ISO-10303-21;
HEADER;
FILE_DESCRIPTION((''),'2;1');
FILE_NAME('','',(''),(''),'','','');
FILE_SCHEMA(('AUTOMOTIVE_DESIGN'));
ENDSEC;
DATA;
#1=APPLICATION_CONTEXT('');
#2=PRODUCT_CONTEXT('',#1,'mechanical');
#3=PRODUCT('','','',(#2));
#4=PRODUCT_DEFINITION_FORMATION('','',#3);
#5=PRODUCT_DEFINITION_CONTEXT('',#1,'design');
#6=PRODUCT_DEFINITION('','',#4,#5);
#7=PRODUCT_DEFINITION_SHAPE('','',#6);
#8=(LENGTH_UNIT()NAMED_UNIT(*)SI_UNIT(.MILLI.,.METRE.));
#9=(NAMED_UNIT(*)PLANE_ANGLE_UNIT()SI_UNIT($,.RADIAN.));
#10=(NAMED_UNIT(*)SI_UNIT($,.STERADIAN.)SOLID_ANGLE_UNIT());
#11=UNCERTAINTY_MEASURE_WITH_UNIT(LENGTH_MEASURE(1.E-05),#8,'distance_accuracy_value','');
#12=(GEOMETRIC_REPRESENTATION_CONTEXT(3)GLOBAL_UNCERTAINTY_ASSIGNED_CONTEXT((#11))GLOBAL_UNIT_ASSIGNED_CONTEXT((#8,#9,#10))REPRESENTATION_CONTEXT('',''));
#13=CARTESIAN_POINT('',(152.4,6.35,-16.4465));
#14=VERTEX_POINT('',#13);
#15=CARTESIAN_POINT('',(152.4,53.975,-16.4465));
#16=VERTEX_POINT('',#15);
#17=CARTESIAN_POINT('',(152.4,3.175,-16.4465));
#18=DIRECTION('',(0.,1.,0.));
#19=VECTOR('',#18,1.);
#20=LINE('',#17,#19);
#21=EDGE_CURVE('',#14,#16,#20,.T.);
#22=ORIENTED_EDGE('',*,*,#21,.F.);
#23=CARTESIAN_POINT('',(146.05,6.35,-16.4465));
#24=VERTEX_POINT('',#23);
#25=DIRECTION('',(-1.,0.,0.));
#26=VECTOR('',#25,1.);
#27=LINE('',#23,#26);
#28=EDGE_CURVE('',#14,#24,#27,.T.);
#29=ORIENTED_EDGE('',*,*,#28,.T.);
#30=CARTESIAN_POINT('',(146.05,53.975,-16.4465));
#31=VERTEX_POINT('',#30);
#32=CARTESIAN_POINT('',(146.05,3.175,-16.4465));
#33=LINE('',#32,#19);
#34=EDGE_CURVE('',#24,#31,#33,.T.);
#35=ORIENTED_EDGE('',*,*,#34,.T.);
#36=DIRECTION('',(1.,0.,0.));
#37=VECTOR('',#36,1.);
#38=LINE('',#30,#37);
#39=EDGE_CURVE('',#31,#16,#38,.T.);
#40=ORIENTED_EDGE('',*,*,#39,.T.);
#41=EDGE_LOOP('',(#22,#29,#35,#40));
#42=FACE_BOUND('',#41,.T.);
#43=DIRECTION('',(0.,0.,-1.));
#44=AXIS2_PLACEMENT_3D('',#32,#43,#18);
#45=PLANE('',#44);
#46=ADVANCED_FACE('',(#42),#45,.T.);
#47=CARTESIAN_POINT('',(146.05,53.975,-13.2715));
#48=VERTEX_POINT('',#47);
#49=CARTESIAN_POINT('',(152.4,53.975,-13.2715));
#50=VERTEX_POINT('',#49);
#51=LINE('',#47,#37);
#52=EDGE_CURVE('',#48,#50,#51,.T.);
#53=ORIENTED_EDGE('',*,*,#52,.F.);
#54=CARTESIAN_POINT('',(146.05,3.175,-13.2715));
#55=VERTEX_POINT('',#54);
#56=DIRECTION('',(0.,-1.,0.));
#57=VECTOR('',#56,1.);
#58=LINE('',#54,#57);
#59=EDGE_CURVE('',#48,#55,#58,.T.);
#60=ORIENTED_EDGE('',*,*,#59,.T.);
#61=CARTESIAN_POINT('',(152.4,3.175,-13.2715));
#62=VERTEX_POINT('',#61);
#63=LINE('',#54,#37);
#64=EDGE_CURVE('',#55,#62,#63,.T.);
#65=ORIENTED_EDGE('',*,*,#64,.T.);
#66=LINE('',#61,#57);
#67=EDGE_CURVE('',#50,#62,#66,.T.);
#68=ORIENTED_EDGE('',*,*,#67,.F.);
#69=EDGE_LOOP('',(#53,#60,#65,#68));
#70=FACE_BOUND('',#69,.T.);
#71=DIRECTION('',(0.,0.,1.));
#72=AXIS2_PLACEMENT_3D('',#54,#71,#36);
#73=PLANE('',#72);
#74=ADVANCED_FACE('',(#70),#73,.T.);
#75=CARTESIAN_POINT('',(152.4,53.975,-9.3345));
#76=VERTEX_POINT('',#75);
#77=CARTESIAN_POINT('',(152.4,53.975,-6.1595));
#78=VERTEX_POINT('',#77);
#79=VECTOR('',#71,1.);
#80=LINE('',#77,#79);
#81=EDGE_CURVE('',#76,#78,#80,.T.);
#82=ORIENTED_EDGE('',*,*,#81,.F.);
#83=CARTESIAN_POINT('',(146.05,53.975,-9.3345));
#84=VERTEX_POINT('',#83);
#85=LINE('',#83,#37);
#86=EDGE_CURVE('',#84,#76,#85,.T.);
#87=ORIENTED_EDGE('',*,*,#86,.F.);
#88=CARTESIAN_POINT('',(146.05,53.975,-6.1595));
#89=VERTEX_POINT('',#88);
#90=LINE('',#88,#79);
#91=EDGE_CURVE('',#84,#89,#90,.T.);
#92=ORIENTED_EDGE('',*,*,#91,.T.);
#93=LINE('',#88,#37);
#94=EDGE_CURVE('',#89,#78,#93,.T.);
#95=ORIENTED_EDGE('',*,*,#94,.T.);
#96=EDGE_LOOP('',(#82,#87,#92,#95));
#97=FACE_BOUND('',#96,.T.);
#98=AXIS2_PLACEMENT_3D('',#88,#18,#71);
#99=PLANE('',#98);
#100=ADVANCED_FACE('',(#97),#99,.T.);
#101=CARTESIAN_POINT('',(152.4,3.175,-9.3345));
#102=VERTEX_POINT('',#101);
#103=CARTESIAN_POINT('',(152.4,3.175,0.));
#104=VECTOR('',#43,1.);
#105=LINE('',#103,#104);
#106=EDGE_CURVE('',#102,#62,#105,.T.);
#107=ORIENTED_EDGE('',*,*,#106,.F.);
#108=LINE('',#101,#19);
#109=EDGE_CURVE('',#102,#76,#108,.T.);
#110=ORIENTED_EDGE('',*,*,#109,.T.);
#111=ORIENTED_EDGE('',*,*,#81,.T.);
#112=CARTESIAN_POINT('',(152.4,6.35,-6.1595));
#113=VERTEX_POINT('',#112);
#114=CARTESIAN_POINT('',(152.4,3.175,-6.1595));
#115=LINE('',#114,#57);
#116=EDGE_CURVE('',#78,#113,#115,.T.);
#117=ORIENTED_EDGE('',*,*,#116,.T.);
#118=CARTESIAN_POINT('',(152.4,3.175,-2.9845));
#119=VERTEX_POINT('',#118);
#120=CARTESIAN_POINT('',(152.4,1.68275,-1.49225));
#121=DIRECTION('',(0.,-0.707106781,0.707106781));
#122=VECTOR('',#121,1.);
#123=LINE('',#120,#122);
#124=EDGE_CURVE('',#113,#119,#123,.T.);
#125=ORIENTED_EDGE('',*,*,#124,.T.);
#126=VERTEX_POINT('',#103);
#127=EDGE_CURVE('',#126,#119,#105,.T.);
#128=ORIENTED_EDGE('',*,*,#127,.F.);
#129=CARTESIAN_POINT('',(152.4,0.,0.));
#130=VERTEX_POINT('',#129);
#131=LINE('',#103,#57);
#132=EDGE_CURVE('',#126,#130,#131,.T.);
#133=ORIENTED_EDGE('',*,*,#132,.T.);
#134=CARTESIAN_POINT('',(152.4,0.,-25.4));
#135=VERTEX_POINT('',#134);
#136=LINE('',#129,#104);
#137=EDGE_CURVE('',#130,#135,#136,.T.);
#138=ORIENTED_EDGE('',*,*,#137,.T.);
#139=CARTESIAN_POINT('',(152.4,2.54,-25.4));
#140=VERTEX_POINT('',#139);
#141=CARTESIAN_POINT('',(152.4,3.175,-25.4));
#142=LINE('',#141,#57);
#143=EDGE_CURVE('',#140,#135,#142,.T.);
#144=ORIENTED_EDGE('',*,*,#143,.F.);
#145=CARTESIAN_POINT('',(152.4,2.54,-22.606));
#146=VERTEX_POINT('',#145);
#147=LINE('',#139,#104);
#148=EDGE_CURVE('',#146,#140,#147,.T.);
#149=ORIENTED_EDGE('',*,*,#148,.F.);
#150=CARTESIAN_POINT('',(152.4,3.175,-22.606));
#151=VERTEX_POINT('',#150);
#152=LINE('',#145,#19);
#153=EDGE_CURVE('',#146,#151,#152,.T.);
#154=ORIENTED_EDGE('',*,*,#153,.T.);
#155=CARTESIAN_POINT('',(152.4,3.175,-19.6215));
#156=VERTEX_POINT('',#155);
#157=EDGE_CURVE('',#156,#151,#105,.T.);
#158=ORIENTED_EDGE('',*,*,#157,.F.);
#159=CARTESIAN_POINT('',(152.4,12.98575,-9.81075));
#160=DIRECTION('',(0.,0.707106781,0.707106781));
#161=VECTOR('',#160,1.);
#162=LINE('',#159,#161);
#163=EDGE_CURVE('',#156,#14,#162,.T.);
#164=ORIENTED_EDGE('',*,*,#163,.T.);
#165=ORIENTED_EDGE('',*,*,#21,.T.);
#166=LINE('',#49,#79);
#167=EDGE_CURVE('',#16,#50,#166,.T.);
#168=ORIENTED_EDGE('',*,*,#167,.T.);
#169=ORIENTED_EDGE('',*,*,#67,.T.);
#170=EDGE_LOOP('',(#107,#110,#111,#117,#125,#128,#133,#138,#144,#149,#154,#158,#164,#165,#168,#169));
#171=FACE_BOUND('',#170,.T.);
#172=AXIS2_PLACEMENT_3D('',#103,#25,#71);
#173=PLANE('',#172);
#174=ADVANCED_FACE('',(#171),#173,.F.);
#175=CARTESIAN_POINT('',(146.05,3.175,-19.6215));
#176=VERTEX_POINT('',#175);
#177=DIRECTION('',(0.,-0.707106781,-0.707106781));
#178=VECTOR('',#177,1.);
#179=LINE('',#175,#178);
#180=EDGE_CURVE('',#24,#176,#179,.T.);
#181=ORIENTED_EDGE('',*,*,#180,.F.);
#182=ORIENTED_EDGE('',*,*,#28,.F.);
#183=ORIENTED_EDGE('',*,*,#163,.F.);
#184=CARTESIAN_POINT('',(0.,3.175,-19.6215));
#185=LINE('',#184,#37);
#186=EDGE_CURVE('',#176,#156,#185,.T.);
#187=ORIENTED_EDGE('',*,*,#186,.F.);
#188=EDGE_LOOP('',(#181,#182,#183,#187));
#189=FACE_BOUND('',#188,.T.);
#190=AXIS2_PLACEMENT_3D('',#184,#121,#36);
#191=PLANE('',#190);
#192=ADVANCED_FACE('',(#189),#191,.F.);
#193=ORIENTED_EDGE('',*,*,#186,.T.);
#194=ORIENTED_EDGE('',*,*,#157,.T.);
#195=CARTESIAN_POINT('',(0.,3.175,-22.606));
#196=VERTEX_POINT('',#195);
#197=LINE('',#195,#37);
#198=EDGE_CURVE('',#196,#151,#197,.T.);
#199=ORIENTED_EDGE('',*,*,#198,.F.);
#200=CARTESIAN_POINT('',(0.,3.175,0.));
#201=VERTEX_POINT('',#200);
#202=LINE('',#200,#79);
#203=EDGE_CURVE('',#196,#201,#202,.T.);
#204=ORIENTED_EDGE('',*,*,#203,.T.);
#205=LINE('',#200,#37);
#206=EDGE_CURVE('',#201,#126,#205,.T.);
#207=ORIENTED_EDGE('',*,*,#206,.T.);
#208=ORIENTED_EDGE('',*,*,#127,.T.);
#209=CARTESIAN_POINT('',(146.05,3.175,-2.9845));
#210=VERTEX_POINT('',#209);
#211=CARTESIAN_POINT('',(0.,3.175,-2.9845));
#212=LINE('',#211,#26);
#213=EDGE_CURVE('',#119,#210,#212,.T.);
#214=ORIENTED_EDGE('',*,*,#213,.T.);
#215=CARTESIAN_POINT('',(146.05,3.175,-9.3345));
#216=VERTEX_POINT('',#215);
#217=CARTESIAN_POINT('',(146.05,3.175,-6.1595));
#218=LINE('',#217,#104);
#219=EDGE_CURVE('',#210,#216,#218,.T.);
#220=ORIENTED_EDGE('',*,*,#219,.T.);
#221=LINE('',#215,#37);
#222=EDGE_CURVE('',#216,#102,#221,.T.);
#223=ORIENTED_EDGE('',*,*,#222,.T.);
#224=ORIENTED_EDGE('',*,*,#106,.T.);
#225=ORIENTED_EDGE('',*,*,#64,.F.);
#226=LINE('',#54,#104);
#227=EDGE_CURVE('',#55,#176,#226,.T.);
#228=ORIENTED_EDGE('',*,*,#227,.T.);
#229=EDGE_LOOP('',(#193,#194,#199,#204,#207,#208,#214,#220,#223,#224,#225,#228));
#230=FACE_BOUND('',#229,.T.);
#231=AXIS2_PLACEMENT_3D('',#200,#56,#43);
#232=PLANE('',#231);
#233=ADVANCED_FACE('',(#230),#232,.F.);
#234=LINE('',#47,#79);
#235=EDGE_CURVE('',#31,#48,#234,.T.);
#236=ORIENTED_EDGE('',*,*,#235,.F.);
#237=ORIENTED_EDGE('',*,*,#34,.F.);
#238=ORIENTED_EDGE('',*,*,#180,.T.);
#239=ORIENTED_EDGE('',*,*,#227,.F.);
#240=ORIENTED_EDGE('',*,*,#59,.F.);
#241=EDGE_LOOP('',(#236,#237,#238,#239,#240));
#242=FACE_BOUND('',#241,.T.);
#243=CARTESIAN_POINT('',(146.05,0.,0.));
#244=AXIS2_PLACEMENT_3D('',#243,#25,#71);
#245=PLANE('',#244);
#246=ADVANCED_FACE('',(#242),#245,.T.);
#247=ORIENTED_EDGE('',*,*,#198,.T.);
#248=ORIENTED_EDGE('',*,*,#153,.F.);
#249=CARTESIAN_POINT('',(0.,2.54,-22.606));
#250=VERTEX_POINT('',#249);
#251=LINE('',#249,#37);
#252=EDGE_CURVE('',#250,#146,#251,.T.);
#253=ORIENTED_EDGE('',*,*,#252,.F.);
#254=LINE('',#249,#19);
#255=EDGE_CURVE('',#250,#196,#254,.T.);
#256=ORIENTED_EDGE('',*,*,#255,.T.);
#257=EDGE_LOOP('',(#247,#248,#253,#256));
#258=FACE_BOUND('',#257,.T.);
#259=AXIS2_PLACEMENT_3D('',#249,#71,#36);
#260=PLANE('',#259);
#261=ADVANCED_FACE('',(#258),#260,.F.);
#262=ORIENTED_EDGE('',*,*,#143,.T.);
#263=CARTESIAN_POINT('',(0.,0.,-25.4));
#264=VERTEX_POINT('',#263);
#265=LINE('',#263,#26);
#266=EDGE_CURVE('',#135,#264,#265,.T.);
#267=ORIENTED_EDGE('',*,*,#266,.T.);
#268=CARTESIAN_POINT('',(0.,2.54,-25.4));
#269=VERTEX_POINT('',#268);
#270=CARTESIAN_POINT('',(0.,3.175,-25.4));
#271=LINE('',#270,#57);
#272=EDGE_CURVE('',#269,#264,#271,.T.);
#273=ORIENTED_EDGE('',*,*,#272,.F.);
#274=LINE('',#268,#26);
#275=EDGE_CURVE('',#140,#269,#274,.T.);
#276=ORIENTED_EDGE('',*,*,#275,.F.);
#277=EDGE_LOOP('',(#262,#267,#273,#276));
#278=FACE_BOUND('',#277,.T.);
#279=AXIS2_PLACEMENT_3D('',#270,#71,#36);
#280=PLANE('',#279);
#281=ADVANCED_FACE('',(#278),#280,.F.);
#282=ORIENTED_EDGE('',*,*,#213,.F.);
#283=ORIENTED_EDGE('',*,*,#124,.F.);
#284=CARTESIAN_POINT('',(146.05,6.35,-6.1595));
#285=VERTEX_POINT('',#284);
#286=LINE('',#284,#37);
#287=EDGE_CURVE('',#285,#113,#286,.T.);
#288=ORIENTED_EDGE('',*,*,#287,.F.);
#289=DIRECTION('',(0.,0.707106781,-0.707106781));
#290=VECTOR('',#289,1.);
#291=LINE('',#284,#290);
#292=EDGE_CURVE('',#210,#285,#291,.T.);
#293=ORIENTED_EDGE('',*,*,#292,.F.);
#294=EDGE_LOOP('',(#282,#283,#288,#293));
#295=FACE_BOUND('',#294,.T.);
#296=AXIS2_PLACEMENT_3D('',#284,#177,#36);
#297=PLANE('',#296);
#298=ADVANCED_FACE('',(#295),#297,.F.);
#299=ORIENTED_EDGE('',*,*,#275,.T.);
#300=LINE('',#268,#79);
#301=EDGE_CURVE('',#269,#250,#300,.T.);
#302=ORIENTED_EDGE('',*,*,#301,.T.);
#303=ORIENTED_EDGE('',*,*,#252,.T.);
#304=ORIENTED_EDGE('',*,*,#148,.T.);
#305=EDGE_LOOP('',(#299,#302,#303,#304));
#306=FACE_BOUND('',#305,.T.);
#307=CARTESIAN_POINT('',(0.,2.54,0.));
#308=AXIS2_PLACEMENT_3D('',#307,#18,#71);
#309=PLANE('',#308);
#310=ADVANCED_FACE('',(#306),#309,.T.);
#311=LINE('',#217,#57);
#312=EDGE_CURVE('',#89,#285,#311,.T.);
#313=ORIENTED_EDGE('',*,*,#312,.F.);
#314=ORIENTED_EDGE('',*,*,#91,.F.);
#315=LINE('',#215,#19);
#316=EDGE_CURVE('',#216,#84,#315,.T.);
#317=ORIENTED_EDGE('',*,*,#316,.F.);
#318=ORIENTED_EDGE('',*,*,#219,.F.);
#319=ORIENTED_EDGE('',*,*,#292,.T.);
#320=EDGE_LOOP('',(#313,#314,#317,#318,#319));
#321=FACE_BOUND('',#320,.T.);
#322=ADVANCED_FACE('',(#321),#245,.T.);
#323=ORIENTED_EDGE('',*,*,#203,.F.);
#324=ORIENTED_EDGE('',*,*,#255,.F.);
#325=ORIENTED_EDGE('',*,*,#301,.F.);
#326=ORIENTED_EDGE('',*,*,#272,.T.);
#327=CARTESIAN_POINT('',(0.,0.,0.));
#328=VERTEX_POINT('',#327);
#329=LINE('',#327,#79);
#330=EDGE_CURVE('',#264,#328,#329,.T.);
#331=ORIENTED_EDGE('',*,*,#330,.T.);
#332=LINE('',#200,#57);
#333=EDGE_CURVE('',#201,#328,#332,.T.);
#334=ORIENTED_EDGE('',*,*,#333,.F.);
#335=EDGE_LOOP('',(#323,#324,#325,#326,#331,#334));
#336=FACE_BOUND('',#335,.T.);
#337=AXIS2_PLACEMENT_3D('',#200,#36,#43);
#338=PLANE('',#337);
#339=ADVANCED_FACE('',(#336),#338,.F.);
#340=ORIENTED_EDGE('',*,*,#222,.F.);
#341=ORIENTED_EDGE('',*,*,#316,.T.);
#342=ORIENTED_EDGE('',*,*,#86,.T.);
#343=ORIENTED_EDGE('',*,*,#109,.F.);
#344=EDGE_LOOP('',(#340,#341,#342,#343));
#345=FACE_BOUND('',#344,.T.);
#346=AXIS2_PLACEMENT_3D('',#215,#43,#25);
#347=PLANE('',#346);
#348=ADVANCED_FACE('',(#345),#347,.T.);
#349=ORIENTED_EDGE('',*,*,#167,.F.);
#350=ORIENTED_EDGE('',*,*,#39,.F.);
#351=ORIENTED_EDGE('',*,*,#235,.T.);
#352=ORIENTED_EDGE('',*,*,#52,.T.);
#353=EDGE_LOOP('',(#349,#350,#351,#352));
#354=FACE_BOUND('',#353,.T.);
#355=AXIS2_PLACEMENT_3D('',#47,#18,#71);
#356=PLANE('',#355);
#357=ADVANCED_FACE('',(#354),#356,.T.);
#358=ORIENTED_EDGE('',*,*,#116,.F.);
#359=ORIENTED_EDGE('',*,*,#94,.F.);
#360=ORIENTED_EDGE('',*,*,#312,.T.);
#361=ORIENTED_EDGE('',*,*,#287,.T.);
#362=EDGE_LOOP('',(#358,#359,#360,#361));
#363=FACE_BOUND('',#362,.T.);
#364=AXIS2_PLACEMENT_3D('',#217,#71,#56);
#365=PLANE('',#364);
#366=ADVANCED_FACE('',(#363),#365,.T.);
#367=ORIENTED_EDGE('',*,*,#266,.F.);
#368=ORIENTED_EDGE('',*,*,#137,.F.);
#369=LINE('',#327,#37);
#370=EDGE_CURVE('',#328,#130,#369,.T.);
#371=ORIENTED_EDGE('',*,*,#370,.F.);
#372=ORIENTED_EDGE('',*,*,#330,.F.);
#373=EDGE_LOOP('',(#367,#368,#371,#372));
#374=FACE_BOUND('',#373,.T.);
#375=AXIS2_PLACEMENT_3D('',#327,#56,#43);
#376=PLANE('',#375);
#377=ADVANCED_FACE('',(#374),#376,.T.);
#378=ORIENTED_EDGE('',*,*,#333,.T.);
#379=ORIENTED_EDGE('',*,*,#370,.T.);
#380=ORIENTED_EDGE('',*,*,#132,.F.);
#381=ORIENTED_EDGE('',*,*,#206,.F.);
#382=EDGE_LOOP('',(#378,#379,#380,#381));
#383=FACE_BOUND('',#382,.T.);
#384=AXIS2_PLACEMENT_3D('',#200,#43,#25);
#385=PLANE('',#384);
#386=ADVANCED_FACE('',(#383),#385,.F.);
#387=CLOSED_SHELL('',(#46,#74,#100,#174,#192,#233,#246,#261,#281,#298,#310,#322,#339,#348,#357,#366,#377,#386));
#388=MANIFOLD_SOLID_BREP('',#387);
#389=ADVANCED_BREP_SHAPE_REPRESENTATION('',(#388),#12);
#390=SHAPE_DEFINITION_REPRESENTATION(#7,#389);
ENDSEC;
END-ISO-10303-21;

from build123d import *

# Parameters (mm, degrees)
SKETCH1_W           = 152.4
SKETCH1_H           = 25.4
BOSS_EXTRUDE1_DEPTH = 3.175
SKETCH2_W           = 152.4
SKETCH2_H           = 2.794
CUT_EXTRUDE1_DEPTH  = 0.635
SKETCH4_W           = 3.175
SKETCH4_H           = 50.8
BOSS_EXTRUDE2_DEPTH = 6.35
CHAMFER2_SIZE       = 3.175


with BuildPart() as part:
    # Sketch1 → Boss-Extrude1 (new body)
    with BuildSketch(Plane(origin=(0, 0, 0), x_dir=(1, 0, 0), z_dir=(0, 1, 0))):
        with Locations((76.2, 12.7)):
            Rectangle(SKETCH1_W, SKETCH1_H)
    extrude(amount=BOSS_EXTRUDE1_DEPTH)

    # Sketch2 → Cut-Extrude1 (cut)
    with BuildSketch(Plane(origin=(0, 3.175, 0), x_dir=(1, 0, 0), z_dir=(0, 1, 0))):
        with Locations((76.2, 24.003)):
            Rectangle(SKETCH2_W, SKETCH2_H)
    extrude(amount=-CUT_EXTRUDE1_DEPTH, mode=Mode.SUBTRACT)

    # Sketch4 → Boss-Extrude2 (add)
    with BuildSketch(Plane(origin=(152.4, 0, 0), x_dir=(0, 0, -1), z_dir=(1, 0, 0))):
        with Locations((7.747, 28.575)):
            Rectangle(SKETCH4_W, SKETCH4_H)
        with Locations((14.859, 28.575)):
            Rectangle(SKETCH4_W, SKETCH4_H)
    extrude(amount=-BOSS_EXTRUDE2_DEPTH)

    # Chamfer2
    chamfer2_edges = [part.edges().sort_by_distance(p)[0] for p in [
        (149.225, 3.175, -6.1595),
        (149.225, 3.175, -16.4465),
    ]]
    chamfer(chamfer2_edges, length=CHAMFER2_SIZE)


solid = part.part
